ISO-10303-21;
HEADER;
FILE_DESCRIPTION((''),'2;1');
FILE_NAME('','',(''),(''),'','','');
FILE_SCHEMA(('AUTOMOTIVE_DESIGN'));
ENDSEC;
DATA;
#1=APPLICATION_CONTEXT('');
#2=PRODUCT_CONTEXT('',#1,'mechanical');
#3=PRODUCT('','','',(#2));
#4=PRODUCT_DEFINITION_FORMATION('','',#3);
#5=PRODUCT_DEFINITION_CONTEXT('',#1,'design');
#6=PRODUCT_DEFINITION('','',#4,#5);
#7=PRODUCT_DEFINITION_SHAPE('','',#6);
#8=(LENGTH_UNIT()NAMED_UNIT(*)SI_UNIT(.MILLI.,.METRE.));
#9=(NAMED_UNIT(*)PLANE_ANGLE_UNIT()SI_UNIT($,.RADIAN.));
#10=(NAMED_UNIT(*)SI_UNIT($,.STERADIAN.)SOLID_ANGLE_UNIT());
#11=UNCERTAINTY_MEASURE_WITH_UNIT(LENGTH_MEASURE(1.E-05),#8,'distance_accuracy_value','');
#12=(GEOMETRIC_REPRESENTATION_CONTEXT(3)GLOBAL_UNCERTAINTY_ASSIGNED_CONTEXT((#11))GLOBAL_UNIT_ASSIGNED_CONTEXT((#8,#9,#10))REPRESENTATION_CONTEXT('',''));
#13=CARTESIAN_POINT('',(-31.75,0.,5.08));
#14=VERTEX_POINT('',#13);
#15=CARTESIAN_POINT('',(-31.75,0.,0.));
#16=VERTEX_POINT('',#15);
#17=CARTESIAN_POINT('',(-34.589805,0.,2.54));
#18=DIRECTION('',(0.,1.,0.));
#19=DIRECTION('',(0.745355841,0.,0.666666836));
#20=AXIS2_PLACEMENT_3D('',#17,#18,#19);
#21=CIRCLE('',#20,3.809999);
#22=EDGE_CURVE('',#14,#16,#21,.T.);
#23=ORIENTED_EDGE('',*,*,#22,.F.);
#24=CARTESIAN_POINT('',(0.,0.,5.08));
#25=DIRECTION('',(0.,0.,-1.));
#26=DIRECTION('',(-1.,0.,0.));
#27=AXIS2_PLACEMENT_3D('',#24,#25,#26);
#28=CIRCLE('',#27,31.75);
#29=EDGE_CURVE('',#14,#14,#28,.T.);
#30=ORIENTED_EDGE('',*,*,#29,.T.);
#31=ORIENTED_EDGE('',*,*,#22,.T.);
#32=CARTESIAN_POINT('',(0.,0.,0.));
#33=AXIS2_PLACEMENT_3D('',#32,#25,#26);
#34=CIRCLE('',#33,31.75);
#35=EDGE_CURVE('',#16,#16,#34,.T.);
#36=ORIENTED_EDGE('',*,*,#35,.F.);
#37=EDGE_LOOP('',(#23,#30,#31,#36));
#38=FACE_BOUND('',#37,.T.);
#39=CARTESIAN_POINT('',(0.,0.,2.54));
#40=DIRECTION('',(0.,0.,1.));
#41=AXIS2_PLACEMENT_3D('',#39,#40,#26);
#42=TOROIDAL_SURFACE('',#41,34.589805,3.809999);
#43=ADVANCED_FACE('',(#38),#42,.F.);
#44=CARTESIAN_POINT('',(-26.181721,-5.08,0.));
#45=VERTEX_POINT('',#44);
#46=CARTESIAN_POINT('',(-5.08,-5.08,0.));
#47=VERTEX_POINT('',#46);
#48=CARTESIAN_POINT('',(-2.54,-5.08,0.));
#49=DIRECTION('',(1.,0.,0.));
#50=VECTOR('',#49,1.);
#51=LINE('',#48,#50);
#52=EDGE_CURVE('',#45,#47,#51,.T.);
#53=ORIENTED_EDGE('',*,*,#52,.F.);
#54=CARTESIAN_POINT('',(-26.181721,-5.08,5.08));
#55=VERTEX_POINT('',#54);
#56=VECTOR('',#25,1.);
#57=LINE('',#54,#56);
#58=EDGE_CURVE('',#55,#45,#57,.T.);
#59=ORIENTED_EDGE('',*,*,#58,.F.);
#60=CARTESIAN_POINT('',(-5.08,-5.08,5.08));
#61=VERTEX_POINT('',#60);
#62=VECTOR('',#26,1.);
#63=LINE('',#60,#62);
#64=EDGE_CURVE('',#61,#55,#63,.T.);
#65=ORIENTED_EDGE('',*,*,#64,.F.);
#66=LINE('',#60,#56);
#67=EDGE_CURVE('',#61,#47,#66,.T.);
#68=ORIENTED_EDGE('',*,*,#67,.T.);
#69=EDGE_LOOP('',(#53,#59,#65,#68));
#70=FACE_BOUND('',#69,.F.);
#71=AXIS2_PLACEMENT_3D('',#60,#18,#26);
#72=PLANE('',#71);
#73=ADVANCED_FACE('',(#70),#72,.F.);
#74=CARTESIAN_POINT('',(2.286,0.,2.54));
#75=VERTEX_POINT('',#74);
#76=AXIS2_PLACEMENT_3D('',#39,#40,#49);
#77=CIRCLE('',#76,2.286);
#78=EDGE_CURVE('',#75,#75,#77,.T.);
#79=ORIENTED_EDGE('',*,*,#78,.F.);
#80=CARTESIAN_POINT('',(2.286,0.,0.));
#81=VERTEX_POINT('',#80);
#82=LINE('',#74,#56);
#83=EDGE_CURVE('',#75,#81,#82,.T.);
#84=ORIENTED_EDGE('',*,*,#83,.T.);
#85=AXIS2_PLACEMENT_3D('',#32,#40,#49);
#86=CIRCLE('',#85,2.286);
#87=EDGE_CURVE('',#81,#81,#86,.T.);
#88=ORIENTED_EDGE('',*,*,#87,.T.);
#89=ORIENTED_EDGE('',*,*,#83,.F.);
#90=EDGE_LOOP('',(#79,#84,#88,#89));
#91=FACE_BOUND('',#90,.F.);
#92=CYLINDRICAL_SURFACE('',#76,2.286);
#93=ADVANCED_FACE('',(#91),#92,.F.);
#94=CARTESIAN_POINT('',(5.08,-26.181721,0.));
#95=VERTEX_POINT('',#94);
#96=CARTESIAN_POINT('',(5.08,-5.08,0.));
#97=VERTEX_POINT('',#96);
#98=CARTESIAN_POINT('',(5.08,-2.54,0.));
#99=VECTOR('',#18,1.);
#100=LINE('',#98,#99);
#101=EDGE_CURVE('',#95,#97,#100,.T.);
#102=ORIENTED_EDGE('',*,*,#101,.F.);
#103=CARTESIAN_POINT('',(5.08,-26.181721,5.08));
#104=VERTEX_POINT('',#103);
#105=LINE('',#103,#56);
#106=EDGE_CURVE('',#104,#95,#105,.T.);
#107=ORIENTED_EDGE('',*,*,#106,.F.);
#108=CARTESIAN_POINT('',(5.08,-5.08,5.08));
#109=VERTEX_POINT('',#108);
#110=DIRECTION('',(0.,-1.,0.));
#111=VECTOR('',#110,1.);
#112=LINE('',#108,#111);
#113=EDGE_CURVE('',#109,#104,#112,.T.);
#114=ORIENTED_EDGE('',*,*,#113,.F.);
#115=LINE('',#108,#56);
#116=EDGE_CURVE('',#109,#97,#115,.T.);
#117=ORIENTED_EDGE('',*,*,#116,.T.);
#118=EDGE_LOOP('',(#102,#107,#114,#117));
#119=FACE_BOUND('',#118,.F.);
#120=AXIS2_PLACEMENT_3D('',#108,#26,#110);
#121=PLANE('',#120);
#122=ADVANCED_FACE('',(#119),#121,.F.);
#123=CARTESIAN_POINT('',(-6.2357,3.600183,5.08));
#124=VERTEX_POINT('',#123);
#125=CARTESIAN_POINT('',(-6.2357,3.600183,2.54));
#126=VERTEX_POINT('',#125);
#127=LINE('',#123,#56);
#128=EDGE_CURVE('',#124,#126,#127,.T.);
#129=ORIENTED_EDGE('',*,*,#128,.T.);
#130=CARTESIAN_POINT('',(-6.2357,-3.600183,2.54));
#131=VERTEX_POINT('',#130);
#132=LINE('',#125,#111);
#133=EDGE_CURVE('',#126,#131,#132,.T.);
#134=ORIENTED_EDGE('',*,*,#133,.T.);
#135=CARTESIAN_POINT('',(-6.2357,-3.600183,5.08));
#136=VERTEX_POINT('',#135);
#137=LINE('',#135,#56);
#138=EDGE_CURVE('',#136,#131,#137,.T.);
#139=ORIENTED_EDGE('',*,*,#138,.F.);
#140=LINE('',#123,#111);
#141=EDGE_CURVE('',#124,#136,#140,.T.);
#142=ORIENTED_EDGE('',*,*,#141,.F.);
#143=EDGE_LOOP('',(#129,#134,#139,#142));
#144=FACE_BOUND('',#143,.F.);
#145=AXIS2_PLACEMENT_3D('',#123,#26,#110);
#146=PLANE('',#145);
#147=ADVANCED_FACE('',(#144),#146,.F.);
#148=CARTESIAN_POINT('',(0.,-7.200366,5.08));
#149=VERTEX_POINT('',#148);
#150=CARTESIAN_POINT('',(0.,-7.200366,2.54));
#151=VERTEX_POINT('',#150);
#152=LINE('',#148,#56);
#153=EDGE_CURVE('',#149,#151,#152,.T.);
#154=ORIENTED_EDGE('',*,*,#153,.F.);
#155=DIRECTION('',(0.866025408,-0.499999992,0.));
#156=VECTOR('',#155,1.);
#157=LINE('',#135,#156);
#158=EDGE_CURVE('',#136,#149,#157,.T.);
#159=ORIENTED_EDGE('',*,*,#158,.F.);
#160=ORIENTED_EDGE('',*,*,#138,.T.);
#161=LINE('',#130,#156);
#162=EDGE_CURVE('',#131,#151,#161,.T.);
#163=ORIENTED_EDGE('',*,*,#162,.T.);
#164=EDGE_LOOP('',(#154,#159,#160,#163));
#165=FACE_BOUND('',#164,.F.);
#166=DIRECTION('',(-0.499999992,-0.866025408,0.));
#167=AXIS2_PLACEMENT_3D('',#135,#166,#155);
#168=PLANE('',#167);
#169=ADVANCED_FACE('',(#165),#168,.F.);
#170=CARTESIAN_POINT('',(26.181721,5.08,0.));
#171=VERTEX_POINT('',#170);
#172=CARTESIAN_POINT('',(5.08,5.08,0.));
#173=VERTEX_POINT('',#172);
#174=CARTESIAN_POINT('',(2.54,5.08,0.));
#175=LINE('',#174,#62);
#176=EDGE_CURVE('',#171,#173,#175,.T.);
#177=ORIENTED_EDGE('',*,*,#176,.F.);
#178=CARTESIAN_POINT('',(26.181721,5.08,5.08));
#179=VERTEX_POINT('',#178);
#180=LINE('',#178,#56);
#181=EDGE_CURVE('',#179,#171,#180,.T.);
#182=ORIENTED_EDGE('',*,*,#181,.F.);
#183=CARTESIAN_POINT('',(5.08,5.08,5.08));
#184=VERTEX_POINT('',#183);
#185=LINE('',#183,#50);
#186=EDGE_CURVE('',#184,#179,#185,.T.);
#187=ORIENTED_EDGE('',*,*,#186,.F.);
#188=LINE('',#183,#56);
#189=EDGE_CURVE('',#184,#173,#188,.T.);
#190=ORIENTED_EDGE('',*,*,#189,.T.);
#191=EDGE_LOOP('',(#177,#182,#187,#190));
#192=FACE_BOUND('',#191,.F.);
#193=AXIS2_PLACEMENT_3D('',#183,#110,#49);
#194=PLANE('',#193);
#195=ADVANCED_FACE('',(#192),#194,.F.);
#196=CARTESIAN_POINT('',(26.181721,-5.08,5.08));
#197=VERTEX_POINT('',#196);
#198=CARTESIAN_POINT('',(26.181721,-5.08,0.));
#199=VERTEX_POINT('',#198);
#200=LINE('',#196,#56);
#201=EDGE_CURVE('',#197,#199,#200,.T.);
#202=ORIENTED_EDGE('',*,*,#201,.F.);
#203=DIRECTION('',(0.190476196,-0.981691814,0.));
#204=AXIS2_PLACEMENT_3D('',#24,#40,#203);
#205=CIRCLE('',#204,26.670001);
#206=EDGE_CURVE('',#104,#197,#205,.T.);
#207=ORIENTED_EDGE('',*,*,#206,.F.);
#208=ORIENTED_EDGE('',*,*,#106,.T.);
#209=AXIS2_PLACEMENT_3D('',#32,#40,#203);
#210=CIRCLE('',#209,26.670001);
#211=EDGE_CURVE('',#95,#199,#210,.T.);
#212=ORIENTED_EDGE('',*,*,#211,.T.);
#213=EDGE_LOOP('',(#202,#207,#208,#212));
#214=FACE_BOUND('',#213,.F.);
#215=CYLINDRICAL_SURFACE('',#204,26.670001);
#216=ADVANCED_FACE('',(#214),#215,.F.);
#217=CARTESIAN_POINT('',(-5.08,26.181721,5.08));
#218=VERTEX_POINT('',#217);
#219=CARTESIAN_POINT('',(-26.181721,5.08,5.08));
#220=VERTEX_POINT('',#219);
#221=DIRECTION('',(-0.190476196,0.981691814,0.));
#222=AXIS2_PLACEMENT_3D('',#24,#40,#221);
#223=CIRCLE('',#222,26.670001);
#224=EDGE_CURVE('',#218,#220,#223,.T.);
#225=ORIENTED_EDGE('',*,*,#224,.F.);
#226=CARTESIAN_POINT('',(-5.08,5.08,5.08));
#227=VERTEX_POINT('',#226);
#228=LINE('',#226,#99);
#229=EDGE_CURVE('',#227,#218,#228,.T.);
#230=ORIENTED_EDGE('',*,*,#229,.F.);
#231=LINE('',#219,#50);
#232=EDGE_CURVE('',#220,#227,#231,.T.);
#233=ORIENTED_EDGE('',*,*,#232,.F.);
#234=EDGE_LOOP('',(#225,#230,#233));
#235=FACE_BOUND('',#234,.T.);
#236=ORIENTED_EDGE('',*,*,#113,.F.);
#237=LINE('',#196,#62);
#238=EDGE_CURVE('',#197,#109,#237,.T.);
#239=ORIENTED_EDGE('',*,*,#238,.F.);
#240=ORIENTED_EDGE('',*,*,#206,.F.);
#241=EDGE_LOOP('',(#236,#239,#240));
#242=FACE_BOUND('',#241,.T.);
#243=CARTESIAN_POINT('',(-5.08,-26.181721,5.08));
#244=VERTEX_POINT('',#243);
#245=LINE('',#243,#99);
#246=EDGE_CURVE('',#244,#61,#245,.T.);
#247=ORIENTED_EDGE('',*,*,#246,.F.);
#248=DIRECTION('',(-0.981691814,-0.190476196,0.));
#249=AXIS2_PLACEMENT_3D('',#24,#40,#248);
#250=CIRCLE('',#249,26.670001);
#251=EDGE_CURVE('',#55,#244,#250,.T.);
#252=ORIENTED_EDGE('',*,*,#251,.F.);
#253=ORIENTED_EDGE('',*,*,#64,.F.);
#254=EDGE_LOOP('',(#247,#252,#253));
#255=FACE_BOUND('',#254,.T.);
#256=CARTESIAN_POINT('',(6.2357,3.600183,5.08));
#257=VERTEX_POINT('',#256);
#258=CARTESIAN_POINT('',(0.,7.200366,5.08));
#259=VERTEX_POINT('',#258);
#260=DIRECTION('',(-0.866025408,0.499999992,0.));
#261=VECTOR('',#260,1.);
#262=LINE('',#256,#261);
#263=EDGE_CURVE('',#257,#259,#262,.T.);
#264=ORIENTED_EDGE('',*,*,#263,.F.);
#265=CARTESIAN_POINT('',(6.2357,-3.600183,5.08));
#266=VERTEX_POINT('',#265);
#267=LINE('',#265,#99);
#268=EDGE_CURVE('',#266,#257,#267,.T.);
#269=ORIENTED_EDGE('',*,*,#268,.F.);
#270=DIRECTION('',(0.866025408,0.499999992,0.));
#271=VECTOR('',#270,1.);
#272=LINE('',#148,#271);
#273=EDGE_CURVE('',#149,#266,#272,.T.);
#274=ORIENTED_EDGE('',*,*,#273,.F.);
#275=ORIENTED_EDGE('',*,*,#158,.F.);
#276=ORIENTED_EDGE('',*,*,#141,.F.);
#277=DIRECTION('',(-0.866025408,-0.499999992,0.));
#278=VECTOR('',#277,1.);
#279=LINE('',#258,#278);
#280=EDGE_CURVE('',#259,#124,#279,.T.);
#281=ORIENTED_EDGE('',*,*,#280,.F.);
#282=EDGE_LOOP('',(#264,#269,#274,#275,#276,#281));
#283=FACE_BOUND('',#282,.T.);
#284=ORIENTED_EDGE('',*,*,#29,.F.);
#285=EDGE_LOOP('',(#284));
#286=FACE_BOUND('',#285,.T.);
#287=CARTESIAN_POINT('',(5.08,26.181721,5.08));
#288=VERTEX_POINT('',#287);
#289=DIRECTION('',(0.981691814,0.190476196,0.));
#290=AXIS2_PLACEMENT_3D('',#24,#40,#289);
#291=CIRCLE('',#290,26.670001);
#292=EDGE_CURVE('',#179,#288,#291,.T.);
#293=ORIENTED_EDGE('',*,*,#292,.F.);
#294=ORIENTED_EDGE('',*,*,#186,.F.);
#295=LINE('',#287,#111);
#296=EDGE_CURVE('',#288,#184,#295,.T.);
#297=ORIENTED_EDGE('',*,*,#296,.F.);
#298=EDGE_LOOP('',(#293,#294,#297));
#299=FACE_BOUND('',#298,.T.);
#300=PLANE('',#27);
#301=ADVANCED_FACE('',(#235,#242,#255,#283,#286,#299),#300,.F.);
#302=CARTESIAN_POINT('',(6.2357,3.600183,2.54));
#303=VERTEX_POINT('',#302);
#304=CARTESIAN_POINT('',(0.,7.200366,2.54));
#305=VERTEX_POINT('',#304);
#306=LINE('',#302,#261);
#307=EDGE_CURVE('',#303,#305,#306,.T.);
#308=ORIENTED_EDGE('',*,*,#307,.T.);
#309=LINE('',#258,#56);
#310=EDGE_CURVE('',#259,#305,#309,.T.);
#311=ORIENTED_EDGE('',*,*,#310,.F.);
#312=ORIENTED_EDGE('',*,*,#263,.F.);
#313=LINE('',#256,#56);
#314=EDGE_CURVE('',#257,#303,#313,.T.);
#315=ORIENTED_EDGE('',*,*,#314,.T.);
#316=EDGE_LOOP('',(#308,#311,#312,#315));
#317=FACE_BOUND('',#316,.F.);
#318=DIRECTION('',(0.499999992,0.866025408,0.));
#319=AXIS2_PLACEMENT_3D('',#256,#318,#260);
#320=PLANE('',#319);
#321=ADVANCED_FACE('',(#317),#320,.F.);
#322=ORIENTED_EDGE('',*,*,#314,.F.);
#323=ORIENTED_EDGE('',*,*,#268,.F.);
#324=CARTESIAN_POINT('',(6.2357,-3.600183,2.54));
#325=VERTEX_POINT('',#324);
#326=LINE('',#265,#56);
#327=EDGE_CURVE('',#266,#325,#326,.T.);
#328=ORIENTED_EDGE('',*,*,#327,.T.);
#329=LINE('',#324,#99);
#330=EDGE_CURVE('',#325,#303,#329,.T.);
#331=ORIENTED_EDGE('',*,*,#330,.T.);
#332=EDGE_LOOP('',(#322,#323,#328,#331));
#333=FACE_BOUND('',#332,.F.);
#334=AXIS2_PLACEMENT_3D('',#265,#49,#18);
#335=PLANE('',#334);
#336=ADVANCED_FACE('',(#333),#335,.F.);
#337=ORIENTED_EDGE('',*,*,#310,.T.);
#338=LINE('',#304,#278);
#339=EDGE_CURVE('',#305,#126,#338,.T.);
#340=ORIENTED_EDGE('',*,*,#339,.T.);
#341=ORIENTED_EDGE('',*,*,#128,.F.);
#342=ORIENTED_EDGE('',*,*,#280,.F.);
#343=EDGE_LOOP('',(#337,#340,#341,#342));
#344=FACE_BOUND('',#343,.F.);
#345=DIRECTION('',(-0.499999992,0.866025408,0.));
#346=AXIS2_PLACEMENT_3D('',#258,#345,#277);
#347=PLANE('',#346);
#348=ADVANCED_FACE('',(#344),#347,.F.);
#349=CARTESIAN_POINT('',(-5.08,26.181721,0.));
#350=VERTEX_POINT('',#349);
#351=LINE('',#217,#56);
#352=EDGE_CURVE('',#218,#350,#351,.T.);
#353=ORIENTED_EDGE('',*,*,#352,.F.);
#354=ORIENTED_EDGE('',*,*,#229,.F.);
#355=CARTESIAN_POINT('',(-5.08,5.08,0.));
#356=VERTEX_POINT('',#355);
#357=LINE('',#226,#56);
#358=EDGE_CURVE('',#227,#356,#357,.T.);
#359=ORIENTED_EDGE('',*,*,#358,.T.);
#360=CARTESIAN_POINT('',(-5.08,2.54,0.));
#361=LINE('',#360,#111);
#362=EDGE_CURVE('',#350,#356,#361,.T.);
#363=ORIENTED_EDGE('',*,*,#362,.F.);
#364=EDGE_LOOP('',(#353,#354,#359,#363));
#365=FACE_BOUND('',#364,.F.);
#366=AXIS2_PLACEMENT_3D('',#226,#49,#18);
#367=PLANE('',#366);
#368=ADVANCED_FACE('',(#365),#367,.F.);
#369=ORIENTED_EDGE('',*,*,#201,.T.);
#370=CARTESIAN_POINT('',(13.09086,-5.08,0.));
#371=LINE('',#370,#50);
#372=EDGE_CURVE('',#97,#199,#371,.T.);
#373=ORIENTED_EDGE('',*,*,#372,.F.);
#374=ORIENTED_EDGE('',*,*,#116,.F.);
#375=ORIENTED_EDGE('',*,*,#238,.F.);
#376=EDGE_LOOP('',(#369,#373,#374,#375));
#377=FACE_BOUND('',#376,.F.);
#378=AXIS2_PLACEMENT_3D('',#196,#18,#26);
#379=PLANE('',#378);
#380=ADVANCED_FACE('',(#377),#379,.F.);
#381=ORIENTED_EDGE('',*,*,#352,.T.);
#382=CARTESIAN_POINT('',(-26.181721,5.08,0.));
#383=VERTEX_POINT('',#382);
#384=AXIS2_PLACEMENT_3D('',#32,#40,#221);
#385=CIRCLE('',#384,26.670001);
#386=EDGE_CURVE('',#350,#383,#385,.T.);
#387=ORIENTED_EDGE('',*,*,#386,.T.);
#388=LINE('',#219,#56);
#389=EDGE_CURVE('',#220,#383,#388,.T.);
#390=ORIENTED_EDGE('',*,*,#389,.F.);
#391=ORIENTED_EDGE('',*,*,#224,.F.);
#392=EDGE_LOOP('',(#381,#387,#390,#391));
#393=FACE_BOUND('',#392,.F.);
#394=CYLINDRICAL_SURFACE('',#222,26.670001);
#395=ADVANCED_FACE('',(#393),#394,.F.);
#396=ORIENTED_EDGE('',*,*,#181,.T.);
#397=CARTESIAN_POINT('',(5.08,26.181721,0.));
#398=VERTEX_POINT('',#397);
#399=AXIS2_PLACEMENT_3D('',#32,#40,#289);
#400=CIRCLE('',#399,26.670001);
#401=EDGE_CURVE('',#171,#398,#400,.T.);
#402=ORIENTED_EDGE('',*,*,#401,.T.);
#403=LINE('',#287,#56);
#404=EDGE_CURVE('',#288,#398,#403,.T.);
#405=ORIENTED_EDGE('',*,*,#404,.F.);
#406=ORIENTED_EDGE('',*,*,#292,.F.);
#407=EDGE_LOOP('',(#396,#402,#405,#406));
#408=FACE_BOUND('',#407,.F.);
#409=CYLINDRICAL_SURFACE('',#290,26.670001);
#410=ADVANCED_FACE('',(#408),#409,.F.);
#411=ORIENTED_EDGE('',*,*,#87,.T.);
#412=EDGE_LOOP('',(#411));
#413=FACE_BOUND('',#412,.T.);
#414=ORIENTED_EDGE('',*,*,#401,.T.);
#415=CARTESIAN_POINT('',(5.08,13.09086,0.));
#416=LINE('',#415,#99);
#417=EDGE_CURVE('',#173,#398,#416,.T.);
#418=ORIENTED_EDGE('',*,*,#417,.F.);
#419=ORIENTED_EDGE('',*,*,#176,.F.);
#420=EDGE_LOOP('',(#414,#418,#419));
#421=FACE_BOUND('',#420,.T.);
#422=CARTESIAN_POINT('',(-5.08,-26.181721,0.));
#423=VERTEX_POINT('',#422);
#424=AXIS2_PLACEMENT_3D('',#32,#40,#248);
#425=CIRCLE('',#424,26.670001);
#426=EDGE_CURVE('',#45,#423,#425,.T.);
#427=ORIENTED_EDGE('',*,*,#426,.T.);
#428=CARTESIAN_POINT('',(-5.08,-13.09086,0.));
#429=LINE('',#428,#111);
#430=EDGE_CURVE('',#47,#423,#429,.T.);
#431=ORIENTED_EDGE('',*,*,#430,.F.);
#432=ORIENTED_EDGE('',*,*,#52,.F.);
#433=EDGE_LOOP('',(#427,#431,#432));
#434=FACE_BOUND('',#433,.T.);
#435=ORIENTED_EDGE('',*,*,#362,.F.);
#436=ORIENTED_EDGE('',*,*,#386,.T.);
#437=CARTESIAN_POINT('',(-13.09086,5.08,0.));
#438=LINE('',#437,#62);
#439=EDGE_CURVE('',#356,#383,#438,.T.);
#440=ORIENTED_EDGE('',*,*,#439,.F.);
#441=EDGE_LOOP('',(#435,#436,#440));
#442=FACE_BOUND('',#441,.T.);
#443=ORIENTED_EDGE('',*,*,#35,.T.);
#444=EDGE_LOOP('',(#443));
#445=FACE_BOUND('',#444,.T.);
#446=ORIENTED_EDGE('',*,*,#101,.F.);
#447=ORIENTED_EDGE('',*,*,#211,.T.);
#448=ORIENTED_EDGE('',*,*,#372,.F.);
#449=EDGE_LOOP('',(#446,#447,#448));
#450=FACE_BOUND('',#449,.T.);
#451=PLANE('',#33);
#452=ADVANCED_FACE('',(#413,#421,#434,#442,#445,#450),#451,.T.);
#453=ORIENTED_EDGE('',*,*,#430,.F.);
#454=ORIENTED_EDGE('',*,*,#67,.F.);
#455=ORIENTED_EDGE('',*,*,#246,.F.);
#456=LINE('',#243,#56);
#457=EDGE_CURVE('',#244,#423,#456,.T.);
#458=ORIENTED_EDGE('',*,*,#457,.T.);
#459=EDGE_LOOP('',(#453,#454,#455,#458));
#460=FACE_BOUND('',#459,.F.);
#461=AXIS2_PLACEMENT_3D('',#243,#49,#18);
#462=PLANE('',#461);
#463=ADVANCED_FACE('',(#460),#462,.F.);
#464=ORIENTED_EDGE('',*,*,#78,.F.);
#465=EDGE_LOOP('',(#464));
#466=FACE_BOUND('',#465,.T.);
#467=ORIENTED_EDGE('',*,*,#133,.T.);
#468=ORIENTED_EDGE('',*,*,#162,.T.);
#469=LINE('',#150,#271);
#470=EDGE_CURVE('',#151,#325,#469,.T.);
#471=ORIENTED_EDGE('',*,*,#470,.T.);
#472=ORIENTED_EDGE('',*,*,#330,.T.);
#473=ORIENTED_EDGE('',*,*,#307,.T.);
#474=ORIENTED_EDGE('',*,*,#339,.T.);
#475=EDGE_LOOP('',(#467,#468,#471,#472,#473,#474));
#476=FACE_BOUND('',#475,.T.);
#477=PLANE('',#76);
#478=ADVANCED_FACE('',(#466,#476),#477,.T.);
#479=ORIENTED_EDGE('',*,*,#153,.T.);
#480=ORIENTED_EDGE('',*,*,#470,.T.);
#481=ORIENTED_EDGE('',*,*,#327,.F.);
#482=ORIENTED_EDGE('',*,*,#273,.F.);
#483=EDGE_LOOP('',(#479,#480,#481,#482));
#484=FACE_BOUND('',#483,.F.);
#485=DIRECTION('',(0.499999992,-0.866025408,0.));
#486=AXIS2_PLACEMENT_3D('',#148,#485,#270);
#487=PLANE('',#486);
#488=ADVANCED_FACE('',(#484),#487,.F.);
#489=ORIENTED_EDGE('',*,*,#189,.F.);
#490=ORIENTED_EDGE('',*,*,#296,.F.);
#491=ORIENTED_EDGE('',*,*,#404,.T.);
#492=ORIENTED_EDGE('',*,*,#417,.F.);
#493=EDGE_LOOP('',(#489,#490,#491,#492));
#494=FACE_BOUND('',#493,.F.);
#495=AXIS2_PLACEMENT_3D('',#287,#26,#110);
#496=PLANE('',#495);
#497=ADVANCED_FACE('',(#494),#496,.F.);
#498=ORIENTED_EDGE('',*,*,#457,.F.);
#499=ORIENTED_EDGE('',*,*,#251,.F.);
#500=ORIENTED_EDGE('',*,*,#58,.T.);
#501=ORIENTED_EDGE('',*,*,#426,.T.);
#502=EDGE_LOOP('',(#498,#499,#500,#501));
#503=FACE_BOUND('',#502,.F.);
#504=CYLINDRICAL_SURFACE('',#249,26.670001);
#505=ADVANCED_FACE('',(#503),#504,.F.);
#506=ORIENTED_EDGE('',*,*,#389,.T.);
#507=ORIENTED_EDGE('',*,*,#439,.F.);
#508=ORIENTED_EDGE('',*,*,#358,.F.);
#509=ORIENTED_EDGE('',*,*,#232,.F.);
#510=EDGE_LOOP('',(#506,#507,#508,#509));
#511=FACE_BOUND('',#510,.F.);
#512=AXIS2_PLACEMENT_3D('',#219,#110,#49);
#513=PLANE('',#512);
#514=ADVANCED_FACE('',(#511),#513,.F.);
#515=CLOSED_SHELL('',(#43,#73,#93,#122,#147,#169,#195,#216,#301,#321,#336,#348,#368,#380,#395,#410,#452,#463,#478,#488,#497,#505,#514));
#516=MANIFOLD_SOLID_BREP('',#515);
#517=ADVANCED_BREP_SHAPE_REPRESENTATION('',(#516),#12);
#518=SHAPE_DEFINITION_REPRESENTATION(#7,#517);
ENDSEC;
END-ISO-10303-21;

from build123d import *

# Parameters (mm, degrees)
F3_DEPTH = 5.081
F5_DEPTH = 2.54
F6_R     = 2.286
F7_DEPTH = 2.541


with BuildPart() as f1:
    # F0 (on Front) → F1 (revolve)
    with BuildSketch(Plane.XZ):
        with BuildLine():
            Line((0, 5.08), (-31.75, 5.08))
            ThreePointArc((-31.75, 5.08), (-30.779806, 2.54), (-31.75, 0))
            Line((-31.75, 0), (0, 0))
            Line((0, 0), (0, 5.08))
        make_face()
    revolve(axis=Axis((0, 0, 2.54), (0, 0, -1)))

    # F2 (on face) → F3 (cut, through all)
    with BuildSketch(Plane.XY.offset(5.08)):
        with BuildLine():
            Line((-5.08, -5.08), (-26.181721, -5.08))
            ThreePointArc((-26.181721, -5.08), (-18.858538, -18.858538), (-5.08, -26.181721))
            Line((-5.08, -26.181721), (-5.08, -5.08))
        make_face()
        with BuildLine():
            ThreePointArc((-5.08, 26.181721), (-18.858538, 18.858538), (-26.181721, 5.08))
            Line((-26.181721, 5.08), (-5.08, 5.08))
            Line((-5.08, 5.08), (-5.08, 26.181721))
        make_face()
        with BuildLine():
            Line((5.08, -5.08), (5.08, -26.181721))
            ThreePointArc((5.08, -26.181721), (18.858538, -18.858538), (26.181721, -5.08))
            Line((26.181721, -5.08), (5.08, -5.08))
        make_face()
        with BuildLine():
            Line((5.08, 5.08), (26.181721, 5.08))
            ThreePointArc((26.181721, 5.08), (18.858538, 18.858538), (5.08, 26.181721))
            Line((5.08, 26.181721), (5.08, 5.08))
        make_face()
    extrude(amount=-F3_DEPTH, mode=Mode.SUBTRACT)

    # F4 (on face) → F5 (cut)
    with BuildSketch(Plane.XY.offset(5.08)):
        Polygon((-6.2357, 3.600183), (-6.2357, -3.600183), (0, -7.200366), (6.2357, -3.600183), (6.2357, 3.600183), (0, 7.200366), align=None)
    extrude(amount=-F5_DEPTH, mode=Mode.SUBTRACT)

    # F6 (on face) → F7 (cut, through all)
    with BuildSketch(Plane.XY.offset(2.54)):
        Circle(F6_R)
    extrude(amount=-F7_DEPTH, mode=Mode.SUBTRACT)


solid = f1.part
